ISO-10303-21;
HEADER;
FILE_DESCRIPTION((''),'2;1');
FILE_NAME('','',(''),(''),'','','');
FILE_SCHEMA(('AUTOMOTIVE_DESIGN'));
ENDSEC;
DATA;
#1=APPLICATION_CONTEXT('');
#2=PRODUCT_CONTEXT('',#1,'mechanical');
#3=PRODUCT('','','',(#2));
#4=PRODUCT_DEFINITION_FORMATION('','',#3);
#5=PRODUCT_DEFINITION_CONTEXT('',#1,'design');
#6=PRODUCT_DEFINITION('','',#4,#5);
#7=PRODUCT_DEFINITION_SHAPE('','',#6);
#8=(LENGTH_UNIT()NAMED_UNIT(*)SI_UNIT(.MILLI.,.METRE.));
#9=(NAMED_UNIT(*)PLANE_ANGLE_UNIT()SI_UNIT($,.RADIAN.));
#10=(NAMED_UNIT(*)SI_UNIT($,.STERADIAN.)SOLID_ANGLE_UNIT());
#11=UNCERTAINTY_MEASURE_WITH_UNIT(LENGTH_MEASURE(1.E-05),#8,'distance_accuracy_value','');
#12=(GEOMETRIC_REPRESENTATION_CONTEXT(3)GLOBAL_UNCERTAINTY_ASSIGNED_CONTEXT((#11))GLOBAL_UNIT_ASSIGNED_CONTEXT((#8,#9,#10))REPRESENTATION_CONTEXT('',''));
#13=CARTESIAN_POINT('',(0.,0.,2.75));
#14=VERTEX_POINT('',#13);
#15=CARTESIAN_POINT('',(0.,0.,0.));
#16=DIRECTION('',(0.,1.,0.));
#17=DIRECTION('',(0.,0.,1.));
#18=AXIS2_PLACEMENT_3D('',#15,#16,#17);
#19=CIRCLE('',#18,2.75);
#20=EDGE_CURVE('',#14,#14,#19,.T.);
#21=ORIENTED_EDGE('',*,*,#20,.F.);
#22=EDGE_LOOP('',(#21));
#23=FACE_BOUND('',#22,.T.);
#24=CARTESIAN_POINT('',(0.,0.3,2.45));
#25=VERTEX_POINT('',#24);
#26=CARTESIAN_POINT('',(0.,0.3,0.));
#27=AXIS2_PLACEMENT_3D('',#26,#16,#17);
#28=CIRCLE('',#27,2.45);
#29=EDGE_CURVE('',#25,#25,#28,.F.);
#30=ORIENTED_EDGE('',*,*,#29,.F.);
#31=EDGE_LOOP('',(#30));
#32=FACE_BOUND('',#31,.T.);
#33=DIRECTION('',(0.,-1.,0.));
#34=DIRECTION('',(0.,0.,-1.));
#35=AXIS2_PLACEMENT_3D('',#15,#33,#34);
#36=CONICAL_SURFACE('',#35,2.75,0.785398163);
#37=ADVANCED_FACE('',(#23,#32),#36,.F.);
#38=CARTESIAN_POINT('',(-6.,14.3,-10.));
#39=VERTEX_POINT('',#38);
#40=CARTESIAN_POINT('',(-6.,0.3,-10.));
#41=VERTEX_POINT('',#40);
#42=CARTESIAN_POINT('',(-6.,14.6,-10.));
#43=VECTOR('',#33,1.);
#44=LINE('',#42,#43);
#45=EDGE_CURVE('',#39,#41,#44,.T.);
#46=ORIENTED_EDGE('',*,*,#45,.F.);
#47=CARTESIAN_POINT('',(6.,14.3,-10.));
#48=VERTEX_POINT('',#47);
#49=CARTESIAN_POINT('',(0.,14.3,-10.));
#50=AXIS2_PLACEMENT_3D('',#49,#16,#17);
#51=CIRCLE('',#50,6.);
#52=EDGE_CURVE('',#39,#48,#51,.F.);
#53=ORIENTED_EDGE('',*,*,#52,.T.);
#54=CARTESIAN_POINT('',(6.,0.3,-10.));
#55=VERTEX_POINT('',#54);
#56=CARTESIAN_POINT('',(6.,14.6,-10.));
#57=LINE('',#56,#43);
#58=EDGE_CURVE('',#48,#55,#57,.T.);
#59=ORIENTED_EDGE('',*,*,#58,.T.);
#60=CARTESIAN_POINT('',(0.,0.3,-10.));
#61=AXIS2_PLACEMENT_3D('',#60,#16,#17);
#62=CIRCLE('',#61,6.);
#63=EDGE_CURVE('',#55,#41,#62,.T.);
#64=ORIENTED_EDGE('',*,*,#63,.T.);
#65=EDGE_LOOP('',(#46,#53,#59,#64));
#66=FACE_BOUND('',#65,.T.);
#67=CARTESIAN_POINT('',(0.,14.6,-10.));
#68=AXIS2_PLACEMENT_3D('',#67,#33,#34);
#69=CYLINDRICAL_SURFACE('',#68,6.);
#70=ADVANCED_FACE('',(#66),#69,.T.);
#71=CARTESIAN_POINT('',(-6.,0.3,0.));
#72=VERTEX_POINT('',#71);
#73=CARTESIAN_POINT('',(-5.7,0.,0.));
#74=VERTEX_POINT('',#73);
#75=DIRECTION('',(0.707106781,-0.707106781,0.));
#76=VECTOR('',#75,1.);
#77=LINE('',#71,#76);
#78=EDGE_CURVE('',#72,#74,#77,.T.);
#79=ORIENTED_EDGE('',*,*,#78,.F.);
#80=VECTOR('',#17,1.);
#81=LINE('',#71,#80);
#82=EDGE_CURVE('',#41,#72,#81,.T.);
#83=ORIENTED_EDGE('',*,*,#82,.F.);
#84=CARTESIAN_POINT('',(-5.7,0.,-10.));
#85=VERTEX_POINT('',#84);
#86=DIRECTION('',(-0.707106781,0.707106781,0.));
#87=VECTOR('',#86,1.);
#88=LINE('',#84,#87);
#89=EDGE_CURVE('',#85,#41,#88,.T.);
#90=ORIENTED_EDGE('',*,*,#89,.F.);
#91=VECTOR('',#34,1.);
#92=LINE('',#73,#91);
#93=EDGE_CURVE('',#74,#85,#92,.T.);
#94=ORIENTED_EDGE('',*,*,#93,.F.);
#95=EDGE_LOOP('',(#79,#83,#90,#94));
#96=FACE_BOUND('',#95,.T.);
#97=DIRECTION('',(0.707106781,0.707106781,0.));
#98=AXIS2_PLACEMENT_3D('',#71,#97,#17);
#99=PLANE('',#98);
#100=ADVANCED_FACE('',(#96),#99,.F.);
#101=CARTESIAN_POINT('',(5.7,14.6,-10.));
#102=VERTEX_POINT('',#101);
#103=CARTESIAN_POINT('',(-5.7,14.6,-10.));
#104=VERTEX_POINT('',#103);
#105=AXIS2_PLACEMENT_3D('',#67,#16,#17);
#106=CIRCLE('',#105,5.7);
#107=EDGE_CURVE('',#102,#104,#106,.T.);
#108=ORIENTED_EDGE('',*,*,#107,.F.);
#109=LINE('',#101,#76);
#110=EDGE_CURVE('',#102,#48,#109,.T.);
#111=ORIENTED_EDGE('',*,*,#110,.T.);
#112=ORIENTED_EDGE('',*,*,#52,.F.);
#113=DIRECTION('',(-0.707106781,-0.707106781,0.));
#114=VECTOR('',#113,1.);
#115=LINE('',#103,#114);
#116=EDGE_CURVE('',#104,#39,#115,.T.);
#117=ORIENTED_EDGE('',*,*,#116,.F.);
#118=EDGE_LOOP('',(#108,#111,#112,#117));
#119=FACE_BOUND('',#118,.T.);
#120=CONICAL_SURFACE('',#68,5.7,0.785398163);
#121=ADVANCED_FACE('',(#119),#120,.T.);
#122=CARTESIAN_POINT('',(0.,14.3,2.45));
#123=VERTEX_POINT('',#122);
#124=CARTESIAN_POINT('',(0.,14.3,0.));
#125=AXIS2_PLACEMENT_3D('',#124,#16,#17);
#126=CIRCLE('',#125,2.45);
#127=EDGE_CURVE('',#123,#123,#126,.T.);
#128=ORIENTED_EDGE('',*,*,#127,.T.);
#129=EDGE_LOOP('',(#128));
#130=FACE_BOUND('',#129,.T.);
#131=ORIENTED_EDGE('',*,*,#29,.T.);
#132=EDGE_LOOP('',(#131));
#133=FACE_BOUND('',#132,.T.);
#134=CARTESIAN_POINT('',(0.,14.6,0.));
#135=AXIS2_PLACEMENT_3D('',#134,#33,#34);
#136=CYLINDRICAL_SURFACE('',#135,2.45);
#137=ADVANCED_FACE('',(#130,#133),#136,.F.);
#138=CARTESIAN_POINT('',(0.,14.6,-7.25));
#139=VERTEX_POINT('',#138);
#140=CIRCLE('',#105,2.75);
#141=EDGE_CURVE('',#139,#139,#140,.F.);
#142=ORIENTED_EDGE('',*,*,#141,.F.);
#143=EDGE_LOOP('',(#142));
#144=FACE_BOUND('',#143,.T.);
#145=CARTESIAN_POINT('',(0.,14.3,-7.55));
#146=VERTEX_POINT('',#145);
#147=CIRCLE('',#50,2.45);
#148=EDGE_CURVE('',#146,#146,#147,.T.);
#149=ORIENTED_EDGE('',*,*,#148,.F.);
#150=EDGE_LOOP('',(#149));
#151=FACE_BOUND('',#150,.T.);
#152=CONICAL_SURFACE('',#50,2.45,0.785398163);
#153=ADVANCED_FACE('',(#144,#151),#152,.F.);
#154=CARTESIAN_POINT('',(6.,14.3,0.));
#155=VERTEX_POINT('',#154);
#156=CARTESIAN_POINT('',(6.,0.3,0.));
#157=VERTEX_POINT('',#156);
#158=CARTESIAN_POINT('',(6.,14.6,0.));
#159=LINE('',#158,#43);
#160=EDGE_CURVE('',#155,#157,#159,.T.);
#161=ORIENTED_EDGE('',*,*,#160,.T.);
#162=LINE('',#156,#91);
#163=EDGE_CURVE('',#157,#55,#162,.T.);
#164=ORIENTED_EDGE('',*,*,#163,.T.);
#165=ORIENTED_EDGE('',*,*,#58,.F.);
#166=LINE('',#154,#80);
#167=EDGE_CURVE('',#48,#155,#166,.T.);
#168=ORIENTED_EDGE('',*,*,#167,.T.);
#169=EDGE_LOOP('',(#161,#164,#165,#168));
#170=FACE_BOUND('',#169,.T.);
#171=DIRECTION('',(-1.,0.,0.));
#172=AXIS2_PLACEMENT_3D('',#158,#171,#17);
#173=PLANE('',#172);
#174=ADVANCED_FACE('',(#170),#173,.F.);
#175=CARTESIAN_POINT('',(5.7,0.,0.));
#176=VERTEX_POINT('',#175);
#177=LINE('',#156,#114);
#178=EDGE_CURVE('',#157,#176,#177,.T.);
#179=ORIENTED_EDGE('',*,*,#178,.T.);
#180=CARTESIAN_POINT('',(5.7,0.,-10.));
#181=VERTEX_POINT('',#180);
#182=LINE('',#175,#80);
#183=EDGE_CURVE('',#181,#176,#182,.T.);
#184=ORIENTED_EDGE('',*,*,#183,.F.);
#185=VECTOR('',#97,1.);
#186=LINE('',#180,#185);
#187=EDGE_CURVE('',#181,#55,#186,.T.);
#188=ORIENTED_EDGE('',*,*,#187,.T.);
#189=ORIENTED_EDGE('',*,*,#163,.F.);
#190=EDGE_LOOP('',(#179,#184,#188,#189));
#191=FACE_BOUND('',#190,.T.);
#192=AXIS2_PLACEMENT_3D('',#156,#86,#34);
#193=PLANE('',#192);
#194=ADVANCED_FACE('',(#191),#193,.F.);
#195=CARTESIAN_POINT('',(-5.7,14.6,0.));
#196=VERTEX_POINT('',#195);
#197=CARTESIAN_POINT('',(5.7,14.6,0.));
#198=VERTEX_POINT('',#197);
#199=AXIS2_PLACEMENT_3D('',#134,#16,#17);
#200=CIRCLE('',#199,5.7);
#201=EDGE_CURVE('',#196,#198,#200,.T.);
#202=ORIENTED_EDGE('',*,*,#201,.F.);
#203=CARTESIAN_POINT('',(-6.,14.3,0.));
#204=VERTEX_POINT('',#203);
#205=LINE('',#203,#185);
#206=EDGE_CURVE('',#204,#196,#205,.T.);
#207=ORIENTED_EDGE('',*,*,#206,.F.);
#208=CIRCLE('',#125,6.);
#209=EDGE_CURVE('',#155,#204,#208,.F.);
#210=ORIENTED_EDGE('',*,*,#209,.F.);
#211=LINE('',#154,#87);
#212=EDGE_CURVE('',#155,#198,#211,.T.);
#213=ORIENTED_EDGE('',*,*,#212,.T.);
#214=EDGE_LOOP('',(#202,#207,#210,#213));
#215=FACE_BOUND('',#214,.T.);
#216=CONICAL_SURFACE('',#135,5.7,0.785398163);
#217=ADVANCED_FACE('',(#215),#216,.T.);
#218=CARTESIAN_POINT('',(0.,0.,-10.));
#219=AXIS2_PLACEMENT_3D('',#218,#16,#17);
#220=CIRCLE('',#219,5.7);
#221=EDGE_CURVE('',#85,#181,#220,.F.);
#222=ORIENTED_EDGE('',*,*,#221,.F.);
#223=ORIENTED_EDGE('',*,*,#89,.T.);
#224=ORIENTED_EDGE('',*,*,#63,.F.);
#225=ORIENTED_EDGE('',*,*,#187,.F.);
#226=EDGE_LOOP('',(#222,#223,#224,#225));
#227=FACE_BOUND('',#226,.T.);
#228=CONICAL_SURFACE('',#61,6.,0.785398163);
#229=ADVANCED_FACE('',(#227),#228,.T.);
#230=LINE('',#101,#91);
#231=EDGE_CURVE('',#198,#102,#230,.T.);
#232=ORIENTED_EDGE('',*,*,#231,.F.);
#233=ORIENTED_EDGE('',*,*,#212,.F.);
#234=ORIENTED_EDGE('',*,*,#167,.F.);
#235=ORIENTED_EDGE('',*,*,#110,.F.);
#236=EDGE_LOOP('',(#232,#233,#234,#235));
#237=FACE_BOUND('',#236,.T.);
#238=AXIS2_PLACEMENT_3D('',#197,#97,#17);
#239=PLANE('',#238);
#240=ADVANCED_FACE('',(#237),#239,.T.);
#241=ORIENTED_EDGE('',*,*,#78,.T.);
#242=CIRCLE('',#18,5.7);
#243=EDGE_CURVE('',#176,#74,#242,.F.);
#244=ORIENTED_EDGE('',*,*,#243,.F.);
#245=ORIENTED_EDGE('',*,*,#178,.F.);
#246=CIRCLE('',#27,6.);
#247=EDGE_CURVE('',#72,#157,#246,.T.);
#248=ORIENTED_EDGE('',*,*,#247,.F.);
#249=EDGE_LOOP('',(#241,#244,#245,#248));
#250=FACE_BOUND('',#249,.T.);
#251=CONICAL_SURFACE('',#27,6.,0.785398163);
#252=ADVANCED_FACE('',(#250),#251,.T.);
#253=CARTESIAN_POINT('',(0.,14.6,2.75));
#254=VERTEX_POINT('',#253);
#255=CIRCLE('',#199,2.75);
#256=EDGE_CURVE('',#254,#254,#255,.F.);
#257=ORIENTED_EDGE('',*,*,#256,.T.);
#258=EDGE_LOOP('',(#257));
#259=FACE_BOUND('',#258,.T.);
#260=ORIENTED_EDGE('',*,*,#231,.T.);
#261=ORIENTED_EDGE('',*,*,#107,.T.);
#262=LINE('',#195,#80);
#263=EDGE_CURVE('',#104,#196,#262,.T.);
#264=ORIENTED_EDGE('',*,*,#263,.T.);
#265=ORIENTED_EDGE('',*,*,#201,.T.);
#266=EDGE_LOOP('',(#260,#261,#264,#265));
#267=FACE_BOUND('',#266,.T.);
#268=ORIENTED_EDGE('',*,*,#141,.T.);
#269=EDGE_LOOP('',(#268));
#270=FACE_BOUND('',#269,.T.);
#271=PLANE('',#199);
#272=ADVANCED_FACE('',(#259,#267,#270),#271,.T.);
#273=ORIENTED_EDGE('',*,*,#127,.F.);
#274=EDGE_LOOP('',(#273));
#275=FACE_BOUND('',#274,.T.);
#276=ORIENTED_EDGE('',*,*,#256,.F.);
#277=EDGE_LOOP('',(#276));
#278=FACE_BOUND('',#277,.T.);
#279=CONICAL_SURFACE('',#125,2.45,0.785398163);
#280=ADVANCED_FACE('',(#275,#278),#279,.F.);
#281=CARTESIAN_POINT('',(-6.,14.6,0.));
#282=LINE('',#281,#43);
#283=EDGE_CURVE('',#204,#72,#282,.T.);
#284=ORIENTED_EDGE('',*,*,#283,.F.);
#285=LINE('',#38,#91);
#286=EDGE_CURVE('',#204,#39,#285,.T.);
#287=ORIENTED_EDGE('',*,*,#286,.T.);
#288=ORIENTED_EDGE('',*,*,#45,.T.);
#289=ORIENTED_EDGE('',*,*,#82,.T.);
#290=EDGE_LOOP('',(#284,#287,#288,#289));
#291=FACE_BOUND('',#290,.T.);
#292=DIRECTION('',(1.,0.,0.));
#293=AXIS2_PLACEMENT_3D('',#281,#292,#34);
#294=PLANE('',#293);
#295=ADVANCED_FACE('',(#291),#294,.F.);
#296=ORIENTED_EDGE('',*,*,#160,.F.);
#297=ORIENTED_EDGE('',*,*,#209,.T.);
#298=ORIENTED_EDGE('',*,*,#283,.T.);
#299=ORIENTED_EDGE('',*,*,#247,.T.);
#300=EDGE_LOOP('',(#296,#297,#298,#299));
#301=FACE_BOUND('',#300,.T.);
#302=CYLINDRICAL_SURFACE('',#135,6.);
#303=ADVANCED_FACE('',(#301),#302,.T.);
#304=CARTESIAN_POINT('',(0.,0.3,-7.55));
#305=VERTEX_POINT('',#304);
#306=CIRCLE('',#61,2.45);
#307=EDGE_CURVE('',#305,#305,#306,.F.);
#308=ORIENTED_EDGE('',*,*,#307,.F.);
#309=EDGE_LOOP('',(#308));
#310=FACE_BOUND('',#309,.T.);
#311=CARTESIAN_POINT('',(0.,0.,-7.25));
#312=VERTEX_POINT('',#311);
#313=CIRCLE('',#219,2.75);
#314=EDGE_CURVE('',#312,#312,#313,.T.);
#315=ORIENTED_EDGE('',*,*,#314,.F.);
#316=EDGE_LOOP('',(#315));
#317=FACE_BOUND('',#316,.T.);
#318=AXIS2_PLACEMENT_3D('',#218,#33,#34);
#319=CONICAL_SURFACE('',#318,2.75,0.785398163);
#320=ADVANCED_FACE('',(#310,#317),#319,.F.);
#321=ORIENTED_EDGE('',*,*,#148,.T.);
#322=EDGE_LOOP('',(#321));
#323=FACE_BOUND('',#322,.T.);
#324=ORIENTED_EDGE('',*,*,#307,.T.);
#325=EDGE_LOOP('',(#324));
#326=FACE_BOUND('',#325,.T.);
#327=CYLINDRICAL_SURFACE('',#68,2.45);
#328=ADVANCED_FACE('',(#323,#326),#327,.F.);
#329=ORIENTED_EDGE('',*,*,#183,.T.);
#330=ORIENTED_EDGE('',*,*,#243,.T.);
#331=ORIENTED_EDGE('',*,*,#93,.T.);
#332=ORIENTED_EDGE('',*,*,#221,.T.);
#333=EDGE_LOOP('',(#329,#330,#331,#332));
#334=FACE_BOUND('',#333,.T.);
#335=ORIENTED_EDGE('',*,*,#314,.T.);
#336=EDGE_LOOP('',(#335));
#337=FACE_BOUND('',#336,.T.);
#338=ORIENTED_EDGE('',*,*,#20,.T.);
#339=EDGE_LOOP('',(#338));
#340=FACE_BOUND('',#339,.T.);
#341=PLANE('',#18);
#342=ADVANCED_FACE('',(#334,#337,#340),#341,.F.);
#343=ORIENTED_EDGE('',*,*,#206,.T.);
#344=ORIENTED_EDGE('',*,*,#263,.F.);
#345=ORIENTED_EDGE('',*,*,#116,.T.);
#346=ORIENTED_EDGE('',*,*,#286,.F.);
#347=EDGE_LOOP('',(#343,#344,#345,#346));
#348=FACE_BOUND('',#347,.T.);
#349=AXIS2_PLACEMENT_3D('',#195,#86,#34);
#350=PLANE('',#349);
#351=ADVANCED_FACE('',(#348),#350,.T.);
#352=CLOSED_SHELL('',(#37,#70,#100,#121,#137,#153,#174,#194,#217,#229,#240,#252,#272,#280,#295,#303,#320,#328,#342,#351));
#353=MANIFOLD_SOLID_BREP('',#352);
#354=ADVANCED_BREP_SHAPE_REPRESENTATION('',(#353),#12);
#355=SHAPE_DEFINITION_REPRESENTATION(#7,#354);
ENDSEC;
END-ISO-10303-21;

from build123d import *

# Parameters (mm, degrees)
SKETCH1_R           = 2.45
BOSS_EXTRUDE1_DEPTH = 14.6
CHAMFER1_SIZE       = 0.3


with BuildPart() as part:
    # Sketch1 → Boss-Extrude1 (new body)
    with BuildSketch(Plane(origin=(0, 0, 0), x_dir=(1, 0, 0), z_dir=(0, 1, 0))):
        with BuildLine():
            Line((-6, 0), (-6, 10))
            ThreePointArc((-6, 10), (0, 16), (6, 10))
            Line((6, 10), (6, 0))
            ThreePointArc((6, 0), (0, -6), (-6, 0))
        make_face()
        Circle(SKETCH1_R, mode=Mode.SUBTRACT)
        with Locations((0, 10)):
            Circle(SKETCH1_R, mode=Mode.SUBTRACT)
    extrude(amount=BOSS_EXTRUDE1_DEPTH)

    # Chamfer1
    chamfer1_edges = [part.edges().sort_by_distance(p)[0] for p in [
        (-2.45, 0, 0),
        (-2.45, 14.6, 0),
        (0, 14.6, -16),
        (-2.45, 0, -10),
        (-2.45, 14.6, -10),
        (-6, 14.6, -5),
        (0, 14.6, 6),
        (-6, 0, -5),
        (0, 0, -16),
        (6, 0, -5),
        (0, 0, 6),
        (6, 14.6, -5),
    ]]
    chamfer(chamfer1_edges, length=CHAMFER1_SIZE)


solid = part.part
